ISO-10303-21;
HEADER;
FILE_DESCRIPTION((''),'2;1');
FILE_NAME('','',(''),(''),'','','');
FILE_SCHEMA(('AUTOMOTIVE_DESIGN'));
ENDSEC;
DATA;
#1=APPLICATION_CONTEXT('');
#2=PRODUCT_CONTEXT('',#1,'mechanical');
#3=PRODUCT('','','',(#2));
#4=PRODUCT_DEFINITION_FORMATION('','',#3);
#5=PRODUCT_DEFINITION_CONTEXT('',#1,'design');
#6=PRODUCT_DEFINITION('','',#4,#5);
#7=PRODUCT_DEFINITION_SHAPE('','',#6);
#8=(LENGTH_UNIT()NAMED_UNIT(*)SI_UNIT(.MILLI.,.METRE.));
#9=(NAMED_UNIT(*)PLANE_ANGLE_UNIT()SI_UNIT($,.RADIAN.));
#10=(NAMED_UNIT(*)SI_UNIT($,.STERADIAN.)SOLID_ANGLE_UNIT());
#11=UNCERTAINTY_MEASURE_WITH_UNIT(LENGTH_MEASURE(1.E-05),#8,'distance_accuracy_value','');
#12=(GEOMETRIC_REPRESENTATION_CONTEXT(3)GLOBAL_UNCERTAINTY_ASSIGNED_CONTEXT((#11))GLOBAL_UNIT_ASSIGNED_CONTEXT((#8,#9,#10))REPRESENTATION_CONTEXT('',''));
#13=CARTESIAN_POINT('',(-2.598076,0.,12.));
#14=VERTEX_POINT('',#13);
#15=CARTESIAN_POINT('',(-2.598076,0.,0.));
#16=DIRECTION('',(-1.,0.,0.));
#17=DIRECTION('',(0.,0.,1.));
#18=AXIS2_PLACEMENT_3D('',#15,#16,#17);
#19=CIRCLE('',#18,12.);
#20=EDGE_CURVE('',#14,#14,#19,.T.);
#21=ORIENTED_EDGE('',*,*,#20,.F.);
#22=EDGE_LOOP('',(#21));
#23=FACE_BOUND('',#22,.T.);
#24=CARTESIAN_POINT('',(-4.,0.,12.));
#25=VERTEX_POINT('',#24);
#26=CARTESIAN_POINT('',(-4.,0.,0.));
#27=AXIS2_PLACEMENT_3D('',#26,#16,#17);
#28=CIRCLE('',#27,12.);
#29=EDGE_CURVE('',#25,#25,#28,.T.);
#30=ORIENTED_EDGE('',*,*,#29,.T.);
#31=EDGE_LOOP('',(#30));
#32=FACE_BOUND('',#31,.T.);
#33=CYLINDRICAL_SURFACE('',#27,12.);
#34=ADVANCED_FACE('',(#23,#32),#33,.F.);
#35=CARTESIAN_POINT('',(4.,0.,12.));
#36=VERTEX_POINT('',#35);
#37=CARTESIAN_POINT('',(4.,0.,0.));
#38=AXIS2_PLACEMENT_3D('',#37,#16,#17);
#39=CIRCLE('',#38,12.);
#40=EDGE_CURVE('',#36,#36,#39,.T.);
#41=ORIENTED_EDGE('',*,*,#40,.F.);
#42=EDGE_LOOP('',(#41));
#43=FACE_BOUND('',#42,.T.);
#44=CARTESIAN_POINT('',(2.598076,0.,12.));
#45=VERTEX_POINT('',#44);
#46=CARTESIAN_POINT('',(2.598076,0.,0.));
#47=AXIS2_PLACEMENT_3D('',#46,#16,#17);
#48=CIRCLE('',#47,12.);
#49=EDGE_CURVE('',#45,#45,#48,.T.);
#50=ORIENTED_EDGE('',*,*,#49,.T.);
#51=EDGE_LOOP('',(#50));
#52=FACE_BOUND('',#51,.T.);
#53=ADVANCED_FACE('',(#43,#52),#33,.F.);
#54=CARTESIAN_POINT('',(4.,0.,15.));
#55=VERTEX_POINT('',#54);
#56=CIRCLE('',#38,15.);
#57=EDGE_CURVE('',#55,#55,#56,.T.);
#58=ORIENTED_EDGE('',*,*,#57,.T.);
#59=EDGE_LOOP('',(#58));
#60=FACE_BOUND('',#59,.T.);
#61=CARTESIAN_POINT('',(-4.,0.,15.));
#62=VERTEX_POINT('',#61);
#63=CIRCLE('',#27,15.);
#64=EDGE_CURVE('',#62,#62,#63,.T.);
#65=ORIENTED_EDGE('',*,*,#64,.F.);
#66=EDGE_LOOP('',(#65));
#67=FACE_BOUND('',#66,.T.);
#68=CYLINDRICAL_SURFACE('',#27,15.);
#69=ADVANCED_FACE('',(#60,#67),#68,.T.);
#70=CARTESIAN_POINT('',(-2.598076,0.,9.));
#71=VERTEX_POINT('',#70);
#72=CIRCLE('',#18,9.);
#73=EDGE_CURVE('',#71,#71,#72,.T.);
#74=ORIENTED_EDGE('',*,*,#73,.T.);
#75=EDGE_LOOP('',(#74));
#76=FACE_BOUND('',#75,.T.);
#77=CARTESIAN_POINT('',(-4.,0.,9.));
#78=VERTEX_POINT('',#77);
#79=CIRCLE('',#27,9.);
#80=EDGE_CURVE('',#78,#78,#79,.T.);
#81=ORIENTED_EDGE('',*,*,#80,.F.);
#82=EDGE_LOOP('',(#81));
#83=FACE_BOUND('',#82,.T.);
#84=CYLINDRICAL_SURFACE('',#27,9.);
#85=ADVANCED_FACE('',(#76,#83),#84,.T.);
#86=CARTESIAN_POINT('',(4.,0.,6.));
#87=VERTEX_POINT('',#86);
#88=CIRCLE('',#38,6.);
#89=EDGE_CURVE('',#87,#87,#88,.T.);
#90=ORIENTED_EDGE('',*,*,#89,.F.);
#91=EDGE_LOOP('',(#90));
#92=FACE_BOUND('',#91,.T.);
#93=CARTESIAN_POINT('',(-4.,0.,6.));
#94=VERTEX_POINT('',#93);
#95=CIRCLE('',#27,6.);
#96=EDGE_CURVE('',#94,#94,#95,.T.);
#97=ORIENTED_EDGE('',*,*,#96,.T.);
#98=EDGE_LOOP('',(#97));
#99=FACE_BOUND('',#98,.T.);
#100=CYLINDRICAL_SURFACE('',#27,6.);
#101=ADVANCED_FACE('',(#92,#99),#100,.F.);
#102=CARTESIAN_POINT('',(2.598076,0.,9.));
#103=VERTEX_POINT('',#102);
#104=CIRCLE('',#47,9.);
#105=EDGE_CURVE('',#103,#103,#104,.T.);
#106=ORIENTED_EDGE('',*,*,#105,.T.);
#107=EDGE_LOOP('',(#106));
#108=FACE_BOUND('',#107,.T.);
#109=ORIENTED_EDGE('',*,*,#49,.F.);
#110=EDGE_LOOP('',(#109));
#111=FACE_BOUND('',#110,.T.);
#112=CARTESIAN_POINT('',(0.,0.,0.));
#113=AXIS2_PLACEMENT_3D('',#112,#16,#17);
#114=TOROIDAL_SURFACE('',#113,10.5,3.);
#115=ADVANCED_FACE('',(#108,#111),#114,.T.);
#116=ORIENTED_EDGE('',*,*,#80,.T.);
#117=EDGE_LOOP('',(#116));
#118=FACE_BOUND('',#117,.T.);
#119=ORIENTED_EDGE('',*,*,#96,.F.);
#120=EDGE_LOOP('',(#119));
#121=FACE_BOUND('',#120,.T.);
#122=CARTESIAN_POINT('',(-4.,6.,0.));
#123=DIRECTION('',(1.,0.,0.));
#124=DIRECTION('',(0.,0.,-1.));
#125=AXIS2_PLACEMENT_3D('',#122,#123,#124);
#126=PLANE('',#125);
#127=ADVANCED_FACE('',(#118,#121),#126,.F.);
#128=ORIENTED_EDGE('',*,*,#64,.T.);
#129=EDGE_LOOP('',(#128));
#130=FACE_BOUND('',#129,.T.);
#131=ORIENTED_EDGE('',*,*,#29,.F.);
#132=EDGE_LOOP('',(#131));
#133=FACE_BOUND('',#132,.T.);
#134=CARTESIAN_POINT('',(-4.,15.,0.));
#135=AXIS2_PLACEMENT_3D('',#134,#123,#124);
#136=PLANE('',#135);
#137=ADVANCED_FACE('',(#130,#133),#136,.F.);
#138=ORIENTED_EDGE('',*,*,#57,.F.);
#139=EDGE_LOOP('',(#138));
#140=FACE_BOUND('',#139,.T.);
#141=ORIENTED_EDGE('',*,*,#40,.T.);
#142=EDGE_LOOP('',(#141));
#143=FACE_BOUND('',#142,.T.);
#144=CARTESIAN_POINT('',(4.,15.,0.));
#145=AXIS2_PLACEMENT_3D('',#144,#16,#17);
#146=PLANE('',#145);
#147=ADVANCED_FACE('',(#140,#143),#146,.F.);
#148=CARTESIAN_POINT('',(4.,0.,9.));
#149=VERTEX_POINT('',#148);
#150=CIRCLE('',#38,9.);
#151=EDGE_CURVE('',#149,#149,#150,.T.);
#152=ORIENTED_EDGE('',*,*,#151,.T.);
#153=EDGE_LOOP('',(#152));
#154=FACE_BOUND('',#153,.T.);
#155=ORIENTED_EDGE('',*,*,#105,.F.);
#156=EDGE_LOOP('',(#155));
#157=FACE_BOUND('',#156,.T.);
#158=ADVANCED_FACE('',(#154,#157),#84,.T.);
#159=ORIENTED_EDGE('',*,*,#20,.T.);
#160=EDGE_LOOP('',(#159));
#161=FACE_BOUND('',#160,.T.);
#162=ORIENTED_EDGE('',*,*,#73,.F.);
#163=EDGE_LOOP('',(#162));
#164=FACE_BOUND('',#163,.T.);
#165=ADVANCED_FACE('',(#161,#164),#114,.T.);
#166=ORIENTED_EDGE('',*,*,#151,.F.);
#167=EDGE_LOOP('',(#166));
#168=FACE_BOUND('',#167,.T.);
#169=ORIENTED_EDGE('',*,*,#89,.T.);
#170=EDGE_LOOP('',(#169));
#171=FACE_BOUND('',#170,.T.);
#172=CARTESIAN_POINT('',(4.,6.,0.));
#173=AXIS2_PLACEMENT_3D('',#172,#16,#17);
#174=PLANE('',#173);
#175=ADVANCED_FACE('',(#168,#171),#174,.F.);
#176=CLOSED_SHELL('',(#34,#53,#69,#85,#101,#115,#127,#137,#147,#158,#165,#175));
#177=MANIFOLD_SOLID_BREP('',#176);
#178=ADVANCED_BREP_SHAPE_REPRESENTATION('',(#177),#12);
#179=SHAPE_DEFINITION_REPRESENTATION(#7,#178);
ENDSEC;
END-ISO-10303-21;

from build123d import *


with BuildPart() as part:
    # Esquisse1 → Révolution1 (revolve)
    with BuildSketch(Plane.XY, mode=Mode.PRIVATE) as r_volution1_sk:
        with BuildLine():
            Line((-4, 6), (4, 6))
            Line((4, 6), (4, 9))
            Line((4, 9), (2.598076211, 9))
            ThreePointArc((2.598076211, 9), (3, 10.5), (2.598076211, 12))
            Line((2.598076211, 12), (4, 12))
            Line((4, 12), (4, 15))
            Line((4, 15), (-4, 15))
            Line((-4, 15), (-4, 12))
            Line((-4, 12), (-2.598076211, 12))
            ThreePointArc((-2.598076211, 12), (-3, 10.5), (-2.598076211, 9))
            Line((-2.598076211, 9), (-4, 9))
            Line((-4, 9), (-4, 6))
        make_face()
    revolve(r_volution1_sk.sketch.rotate(Axis((-4, 0, 0), (1, 0, 0)), 90), axis=Axis((-4, 0, 0), (1, 0, 0)))


solid = part.part
